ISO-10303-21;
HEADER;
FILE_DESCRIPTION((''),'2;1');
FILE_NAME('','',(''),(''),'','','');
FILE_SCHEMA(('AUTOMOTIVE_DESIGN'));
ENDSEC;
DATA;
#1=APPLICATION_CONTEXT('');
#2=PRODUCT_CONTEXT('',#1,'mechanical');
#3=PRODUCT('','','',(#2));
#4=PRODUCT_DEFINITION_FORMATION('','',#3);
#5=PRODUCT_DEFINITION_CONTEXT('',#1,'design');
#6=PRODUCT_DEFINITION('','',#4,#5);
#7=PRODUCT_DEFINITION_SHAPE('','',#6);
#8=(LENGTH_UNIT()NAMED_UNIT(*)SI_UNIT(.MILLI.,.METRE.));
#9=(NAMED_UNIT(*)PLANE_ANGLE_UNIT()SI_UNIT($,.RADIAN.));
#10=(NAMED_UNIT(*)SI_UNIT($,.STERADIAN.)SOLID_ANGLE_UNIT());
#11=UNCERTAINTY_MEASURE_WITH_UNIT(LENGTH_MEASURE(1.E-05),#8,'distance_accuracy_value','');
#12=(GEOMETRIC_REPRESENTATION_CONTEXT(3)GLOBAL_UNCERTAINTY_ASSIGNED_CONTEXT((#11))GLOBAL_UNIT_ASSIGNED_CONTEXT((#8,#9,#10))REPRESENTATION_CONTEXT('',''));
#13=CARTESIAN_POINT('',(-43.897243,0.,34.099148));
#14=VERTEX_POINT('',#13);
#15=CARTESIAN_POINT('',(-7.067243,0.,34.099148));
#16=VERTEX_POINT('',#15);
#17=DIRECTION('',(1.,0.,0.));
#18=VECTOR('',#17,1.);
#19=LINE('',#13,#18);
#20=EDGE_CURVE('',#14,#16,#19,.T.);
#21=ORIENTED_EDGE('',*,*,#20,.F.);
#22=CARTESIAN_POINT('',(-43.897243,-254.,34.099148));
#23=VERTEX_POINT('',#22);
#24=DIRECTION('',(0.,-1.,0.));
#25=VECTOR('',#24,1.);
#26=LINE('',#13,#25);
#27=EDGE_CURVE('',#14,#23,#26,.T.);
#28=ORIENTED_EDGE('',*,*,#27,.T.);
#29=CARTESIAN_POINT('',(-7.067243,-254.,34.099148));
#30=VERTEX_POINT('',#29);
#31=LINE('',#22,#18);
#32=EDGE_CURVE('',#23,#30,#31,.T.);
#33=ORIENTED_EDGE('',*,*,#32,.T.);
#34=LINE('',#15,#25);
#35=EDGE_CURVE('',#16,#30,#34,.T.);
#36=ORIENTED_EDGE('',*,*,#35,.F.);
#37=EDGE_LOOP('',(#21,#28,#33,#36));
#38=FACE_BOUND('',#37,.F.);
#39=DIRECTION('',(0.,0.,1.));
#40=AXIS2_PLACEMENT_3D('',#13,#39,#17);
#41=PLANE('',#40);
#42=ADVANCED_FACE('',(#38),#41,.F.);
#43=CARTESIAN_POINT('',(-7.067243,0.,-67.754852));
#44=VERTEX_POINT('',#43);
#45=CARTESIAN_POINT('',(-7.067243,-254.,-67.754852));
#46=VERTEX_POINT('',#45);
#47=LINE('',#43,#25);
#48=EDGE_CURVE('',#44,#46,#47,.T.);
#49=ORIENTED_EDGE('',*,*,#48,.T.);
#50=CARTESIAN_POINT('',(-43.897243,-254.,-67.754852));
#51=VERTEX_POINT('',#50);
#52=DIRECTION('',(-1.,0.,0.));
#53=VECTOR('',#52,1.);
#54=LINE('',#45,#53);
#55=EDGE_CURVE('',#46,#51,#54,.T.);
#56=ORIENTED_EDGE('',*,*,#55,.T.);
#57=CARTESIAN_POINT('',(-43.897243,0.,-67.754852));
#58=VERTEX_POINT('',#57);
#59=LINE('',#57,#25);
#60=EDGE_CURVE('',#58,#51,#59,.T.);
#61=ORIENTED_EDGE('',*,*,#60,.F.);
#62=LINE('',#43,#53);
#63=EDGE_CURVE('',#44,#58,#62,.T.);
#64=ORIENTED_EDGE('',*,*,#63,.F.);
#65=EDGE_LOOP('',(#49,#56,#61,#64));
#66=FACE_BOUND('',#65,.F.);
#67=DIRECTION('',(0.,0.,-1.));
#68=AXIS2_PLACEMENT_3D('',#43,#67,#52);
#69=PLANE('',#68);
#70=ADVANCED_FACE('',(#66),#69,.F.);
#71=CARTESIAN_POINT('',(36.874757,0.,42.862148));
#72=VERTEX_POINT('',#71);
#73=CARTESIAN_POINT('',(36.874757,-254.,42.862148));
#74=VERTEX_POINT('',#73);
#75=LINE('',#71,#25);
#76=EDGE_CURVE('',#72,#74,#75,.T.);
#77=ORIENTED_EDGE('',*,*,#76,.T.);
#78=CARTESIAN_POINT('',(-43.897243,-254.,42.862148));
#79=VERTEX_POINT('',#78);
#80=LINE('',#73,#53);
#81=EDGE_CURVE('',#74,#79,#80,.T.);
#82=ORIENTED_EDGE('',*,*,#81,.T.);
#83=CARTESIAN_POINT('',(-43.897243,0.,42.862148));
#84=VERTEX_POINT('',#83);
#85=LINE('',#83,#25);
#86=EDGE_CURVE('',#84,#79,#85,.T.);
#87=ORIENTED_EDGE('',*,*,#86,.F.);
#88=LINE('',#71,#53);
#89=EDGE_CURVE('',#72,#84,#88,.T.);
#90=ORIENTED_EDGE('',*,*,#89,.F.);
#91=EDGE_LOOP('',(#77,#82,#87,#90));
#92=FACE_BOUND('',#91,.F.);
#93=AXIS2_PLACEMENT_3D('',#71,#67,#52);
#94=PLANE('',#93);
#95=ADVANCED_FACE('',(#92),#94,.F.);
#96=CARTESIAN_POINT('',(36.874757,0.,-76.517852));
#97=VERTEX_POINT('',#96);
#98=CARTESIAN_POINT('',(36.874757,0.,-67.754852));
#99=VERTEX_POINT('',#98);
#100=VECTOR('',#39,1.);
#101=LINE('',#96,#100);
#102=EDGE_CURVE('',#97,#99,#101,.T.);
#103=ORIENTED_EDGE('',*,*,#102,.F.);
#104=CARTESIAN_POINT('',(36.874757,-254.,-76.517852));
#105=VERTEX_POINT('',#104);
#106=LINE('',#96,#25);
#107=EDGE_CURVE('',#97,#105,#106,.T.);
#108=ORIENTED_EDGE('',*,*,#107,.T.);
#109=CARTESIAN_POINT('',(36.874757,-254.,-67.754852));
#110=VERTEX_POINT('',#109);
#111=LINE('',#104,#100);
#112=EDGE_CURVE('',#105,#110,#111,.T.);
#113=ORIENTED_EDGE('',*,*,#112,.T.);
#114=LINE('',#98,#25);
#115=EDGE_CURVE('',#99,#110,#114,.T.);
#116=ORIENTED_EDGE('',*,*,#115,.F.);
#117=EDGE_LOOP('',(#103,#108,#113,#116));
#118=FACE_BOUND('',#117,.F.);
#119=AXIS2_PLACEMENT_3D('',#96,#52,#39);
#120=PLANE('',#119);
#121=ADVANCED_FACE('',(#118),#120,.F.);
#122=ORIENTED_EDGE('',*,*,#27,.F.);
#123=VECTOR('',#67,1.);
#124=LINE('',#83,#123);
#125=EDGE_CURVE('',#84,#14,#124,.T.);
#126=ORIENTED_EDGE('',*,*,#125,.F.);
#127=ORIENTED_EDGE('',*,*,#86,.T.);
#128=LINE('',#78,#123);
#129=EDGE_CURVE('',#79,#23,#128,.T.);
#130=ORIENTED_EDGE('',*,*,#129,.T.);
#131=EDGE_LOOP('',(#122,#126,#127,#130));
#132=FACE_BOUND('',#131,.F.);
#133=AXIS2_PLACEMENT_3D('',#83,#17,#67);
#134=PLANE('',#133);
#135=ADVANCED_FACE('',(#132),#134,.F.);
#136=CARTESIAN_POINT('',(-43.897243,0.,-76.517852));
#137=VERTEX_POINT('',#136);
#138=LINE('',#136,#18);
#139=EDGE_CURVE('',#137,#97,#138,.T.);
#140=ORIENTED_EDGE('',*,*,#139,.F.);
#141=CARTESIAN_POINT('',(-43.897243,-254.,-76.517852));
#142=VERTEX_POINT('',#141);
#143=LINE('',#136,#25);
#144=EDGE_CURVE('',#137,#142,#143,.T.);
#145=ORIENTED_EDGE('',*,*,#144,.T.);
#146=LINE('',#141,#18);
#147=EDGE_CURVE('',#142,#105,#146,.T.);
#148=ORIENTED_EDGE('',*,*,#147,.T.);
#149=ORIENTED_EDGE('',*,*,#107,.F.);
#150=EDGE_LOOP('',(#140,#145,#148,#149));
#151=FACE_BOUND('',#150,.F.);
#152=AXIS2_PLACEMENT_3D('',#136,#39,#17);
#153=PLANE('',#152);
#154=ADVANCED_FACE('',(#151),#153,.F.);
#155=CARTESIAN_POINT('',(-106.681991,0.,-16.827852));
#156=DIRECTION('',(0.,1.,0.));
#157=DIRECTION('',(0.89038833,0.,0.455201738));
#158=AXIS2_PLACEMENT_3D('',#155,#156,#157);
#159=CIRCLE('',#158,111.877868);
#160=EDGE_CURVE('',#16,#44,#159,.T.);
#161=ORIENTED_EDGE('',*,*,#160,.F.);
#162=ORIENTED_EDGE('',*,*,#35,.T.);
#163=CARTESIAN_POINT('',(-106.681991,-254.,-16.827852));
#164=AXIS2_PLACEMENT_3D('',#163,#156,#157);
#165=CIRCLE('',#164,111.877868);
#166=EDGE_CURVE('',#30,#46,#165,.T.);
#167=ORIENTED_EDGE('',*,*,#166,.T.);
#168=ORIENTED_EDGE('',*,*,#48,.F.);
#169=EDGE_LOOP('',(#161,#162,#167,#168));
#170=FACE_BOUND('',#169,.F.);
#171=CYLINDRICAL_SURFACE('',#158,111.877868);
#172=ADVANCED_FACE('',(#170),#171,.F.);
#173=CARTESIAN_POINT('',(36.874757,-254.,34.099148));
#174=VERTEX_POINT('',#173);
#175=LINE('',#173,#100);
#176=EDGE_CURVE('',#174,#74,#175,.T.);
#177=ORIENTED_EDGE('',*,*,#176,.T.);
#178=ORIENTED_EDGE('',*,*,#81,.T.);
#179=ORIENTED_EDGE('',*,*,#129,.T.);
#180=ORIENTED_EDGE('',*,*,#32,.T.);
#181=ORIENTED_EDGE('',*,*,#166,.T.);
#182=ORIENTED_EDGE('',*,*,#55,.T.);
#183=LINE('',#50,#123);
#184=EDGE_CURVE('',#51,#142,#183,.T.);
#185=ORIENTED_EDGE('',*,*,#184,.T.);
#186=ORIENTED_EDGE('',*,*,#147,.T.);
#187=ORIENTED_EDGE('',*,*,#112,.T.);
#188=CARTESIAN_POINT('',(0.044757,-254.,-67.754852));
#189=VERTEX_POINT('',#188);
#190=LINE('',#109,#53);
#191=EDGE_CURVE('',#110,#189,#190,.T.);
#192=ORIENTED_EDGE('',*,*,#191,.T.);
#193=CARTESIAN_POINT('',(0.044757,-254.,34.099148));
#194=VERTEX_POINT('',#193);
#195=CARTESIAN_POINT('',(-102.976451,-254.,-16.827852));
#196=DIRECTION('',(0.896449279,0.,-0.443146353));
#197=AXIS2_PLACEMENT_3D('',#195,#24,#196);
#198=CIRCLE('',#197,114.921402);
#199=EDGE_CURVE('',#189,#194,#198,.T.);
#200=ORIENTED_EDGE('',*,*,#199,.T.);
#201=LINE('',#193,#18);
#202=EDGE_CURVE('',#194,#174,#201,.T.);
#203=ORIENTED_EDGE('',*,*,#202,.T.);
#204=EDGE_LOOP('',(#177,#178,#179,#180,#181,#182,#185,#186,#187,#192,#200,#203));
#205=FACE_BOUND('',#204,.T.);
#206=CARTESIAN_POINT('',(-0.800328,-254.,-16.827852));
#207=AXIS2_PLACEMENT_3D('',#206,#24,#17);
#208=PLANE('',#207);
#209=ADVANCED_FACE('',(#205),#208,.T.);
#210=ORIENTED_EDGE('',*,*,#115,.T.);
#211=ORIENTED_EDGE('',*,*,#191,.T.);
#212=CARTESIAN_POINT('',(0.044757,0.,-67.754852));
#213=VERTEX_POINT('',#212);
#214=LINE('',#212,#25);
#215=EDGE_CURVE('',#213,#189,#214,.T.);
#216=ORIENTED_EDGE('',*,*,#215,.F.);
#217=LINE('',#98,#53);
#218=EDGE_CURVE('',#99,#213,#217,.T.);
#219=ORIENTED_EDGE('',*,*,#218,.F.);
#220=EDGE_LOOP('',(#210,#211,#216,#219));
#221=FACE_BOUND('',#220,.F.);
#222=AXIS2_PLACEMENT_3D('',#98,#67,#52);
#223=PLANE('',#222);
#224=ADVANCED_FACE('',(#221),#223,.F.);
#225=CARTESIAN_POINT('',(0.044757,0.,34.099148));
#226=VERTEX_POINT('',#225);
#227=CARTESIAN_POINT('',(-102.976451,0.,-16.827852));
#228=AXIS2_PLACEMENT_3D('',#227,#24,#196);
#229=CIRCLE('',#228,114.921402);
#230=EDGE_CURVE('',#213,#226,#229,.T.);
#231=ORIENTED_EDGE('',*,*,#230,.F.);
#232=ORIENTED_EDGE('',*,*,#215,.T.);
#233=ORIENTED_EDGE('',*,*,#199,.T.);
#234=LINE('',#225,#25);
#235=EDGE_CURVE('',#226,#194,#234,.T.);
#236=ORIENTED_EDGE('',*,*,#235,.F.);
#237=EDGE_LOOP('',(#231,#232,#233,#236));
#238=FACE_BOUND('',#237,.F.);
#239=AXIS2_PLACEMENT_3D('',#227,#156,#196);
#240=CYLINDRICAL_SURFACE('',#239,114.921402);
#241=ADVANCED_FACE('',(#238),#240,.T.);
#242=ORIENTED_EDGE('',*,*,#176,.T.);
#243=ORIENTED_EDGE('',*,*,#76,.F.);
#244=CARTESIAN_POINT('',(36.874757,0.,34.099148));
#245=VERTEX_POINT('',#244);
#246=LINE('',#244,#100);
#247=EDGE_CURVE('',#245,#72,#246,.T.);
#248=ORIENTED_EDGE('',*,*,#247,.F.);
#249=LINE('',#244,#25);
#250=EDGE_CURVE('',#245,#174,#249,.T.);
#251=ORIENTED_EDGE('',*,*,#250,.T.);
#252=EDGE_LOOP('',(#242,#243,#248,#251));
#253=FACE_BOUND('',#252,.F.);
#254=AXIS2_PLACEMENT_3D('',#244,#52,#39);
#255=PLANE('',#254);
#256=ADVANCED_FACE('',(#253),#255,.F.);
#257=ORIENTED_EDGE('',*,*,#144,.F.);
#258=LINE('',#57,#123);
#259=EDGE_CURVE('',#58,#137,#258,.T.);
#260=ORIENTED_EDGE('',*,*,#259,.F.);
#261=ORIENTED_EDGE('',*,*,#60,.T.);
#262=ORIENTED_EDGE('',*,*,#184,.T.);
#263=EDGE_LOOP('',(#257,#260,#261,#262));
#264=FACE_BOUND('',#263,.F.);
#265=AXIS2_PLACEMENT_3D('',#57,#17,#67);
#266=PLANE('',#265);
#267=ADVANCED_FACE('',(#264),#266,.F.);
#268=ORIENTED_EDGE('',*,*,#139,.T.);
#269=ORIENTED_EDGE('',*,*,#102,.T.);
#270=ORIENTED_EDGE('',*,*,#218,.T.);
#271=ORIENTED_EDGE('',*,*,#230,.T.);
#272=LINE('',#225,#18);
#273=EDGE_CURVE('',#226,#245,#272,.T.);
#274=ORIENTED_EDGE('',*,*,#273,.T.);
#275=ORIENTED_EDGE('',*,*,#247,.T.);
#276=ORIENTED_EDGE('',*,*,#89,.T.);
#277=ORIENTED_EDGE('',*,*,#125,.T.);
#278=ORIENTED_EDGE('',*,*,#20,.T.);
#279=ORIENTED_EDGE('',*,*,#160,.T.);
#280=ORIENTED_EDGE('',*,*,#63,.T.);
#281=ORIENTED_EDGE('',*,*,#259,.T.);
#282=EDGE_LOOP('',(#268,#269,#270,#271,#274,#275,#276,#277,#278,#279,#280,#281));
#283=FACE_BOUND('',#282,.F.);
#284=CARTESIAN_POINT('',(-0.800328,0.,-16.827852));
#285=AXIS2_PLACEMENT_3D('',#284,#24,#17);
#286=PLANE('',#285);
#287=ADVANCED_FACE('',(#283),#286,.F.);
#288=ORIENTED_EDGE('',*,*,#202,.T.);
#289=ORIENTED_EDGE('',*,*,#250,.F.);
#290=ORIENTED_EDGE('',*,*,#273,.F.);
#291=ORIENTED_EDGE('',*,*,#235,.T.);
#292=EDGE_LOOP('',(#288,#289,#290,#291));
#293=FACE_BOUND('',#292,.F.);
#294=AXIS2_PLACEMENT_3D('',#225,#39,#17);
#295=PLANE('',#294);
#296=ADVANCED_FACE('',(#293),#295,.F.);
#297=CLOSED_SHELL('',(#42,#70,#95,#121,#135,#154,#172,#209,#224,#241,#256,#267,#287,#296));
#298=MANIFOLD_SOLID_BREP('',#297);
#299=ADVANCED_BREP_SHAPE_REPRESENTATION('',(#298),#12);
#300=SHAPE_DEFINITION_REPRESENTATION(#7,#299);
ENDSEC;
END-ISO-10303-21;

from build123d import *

# Parameters (mm, degrees)
F1_DEPTH = 254


with BuildPart() as f1:
    # F0 (on Front) → F1 (new body)
    with BuildSketch(Plane.XZ):
        with BuildLine():
            Line((36.874757, 42.862148), (-43.897243, 42.862148))
            Line((-43.897243, 42.862148), (-43.897243, 34.099148))
            Line((-43.897243, 34.099148), (-7.067243, 34.099148))
            ThreePointArc((-7.067243, 34.099148), (5.195877, -16.827852), (-7.067243, -67.754852))
            Line((-7.067243, -67.754852), (-43.897243, -67.754852))
            Line((-43.897243, -67.754852), (-43.897243, -76.517852))
            Line((-43.897243, -76.517852), (36.874757, -76.517852))
            Line((36.874757, -76.517852), (36.874757, -67.754852))
            Line((36.874757, -67.754852), (0.044757, -67.754852))
            ThreePointArc((0.044757, -67.754852), (11.944951, -16.827852), (0.044757, 34.099148))
            Line((0.044757, 34.099148), (36.874757, 34.099148))
            Line((36.874757, 34.099148), (36.874757, 42.862148))
        make_face()
    extrude(amount=F1_DEPTH)


solid = f1.part
